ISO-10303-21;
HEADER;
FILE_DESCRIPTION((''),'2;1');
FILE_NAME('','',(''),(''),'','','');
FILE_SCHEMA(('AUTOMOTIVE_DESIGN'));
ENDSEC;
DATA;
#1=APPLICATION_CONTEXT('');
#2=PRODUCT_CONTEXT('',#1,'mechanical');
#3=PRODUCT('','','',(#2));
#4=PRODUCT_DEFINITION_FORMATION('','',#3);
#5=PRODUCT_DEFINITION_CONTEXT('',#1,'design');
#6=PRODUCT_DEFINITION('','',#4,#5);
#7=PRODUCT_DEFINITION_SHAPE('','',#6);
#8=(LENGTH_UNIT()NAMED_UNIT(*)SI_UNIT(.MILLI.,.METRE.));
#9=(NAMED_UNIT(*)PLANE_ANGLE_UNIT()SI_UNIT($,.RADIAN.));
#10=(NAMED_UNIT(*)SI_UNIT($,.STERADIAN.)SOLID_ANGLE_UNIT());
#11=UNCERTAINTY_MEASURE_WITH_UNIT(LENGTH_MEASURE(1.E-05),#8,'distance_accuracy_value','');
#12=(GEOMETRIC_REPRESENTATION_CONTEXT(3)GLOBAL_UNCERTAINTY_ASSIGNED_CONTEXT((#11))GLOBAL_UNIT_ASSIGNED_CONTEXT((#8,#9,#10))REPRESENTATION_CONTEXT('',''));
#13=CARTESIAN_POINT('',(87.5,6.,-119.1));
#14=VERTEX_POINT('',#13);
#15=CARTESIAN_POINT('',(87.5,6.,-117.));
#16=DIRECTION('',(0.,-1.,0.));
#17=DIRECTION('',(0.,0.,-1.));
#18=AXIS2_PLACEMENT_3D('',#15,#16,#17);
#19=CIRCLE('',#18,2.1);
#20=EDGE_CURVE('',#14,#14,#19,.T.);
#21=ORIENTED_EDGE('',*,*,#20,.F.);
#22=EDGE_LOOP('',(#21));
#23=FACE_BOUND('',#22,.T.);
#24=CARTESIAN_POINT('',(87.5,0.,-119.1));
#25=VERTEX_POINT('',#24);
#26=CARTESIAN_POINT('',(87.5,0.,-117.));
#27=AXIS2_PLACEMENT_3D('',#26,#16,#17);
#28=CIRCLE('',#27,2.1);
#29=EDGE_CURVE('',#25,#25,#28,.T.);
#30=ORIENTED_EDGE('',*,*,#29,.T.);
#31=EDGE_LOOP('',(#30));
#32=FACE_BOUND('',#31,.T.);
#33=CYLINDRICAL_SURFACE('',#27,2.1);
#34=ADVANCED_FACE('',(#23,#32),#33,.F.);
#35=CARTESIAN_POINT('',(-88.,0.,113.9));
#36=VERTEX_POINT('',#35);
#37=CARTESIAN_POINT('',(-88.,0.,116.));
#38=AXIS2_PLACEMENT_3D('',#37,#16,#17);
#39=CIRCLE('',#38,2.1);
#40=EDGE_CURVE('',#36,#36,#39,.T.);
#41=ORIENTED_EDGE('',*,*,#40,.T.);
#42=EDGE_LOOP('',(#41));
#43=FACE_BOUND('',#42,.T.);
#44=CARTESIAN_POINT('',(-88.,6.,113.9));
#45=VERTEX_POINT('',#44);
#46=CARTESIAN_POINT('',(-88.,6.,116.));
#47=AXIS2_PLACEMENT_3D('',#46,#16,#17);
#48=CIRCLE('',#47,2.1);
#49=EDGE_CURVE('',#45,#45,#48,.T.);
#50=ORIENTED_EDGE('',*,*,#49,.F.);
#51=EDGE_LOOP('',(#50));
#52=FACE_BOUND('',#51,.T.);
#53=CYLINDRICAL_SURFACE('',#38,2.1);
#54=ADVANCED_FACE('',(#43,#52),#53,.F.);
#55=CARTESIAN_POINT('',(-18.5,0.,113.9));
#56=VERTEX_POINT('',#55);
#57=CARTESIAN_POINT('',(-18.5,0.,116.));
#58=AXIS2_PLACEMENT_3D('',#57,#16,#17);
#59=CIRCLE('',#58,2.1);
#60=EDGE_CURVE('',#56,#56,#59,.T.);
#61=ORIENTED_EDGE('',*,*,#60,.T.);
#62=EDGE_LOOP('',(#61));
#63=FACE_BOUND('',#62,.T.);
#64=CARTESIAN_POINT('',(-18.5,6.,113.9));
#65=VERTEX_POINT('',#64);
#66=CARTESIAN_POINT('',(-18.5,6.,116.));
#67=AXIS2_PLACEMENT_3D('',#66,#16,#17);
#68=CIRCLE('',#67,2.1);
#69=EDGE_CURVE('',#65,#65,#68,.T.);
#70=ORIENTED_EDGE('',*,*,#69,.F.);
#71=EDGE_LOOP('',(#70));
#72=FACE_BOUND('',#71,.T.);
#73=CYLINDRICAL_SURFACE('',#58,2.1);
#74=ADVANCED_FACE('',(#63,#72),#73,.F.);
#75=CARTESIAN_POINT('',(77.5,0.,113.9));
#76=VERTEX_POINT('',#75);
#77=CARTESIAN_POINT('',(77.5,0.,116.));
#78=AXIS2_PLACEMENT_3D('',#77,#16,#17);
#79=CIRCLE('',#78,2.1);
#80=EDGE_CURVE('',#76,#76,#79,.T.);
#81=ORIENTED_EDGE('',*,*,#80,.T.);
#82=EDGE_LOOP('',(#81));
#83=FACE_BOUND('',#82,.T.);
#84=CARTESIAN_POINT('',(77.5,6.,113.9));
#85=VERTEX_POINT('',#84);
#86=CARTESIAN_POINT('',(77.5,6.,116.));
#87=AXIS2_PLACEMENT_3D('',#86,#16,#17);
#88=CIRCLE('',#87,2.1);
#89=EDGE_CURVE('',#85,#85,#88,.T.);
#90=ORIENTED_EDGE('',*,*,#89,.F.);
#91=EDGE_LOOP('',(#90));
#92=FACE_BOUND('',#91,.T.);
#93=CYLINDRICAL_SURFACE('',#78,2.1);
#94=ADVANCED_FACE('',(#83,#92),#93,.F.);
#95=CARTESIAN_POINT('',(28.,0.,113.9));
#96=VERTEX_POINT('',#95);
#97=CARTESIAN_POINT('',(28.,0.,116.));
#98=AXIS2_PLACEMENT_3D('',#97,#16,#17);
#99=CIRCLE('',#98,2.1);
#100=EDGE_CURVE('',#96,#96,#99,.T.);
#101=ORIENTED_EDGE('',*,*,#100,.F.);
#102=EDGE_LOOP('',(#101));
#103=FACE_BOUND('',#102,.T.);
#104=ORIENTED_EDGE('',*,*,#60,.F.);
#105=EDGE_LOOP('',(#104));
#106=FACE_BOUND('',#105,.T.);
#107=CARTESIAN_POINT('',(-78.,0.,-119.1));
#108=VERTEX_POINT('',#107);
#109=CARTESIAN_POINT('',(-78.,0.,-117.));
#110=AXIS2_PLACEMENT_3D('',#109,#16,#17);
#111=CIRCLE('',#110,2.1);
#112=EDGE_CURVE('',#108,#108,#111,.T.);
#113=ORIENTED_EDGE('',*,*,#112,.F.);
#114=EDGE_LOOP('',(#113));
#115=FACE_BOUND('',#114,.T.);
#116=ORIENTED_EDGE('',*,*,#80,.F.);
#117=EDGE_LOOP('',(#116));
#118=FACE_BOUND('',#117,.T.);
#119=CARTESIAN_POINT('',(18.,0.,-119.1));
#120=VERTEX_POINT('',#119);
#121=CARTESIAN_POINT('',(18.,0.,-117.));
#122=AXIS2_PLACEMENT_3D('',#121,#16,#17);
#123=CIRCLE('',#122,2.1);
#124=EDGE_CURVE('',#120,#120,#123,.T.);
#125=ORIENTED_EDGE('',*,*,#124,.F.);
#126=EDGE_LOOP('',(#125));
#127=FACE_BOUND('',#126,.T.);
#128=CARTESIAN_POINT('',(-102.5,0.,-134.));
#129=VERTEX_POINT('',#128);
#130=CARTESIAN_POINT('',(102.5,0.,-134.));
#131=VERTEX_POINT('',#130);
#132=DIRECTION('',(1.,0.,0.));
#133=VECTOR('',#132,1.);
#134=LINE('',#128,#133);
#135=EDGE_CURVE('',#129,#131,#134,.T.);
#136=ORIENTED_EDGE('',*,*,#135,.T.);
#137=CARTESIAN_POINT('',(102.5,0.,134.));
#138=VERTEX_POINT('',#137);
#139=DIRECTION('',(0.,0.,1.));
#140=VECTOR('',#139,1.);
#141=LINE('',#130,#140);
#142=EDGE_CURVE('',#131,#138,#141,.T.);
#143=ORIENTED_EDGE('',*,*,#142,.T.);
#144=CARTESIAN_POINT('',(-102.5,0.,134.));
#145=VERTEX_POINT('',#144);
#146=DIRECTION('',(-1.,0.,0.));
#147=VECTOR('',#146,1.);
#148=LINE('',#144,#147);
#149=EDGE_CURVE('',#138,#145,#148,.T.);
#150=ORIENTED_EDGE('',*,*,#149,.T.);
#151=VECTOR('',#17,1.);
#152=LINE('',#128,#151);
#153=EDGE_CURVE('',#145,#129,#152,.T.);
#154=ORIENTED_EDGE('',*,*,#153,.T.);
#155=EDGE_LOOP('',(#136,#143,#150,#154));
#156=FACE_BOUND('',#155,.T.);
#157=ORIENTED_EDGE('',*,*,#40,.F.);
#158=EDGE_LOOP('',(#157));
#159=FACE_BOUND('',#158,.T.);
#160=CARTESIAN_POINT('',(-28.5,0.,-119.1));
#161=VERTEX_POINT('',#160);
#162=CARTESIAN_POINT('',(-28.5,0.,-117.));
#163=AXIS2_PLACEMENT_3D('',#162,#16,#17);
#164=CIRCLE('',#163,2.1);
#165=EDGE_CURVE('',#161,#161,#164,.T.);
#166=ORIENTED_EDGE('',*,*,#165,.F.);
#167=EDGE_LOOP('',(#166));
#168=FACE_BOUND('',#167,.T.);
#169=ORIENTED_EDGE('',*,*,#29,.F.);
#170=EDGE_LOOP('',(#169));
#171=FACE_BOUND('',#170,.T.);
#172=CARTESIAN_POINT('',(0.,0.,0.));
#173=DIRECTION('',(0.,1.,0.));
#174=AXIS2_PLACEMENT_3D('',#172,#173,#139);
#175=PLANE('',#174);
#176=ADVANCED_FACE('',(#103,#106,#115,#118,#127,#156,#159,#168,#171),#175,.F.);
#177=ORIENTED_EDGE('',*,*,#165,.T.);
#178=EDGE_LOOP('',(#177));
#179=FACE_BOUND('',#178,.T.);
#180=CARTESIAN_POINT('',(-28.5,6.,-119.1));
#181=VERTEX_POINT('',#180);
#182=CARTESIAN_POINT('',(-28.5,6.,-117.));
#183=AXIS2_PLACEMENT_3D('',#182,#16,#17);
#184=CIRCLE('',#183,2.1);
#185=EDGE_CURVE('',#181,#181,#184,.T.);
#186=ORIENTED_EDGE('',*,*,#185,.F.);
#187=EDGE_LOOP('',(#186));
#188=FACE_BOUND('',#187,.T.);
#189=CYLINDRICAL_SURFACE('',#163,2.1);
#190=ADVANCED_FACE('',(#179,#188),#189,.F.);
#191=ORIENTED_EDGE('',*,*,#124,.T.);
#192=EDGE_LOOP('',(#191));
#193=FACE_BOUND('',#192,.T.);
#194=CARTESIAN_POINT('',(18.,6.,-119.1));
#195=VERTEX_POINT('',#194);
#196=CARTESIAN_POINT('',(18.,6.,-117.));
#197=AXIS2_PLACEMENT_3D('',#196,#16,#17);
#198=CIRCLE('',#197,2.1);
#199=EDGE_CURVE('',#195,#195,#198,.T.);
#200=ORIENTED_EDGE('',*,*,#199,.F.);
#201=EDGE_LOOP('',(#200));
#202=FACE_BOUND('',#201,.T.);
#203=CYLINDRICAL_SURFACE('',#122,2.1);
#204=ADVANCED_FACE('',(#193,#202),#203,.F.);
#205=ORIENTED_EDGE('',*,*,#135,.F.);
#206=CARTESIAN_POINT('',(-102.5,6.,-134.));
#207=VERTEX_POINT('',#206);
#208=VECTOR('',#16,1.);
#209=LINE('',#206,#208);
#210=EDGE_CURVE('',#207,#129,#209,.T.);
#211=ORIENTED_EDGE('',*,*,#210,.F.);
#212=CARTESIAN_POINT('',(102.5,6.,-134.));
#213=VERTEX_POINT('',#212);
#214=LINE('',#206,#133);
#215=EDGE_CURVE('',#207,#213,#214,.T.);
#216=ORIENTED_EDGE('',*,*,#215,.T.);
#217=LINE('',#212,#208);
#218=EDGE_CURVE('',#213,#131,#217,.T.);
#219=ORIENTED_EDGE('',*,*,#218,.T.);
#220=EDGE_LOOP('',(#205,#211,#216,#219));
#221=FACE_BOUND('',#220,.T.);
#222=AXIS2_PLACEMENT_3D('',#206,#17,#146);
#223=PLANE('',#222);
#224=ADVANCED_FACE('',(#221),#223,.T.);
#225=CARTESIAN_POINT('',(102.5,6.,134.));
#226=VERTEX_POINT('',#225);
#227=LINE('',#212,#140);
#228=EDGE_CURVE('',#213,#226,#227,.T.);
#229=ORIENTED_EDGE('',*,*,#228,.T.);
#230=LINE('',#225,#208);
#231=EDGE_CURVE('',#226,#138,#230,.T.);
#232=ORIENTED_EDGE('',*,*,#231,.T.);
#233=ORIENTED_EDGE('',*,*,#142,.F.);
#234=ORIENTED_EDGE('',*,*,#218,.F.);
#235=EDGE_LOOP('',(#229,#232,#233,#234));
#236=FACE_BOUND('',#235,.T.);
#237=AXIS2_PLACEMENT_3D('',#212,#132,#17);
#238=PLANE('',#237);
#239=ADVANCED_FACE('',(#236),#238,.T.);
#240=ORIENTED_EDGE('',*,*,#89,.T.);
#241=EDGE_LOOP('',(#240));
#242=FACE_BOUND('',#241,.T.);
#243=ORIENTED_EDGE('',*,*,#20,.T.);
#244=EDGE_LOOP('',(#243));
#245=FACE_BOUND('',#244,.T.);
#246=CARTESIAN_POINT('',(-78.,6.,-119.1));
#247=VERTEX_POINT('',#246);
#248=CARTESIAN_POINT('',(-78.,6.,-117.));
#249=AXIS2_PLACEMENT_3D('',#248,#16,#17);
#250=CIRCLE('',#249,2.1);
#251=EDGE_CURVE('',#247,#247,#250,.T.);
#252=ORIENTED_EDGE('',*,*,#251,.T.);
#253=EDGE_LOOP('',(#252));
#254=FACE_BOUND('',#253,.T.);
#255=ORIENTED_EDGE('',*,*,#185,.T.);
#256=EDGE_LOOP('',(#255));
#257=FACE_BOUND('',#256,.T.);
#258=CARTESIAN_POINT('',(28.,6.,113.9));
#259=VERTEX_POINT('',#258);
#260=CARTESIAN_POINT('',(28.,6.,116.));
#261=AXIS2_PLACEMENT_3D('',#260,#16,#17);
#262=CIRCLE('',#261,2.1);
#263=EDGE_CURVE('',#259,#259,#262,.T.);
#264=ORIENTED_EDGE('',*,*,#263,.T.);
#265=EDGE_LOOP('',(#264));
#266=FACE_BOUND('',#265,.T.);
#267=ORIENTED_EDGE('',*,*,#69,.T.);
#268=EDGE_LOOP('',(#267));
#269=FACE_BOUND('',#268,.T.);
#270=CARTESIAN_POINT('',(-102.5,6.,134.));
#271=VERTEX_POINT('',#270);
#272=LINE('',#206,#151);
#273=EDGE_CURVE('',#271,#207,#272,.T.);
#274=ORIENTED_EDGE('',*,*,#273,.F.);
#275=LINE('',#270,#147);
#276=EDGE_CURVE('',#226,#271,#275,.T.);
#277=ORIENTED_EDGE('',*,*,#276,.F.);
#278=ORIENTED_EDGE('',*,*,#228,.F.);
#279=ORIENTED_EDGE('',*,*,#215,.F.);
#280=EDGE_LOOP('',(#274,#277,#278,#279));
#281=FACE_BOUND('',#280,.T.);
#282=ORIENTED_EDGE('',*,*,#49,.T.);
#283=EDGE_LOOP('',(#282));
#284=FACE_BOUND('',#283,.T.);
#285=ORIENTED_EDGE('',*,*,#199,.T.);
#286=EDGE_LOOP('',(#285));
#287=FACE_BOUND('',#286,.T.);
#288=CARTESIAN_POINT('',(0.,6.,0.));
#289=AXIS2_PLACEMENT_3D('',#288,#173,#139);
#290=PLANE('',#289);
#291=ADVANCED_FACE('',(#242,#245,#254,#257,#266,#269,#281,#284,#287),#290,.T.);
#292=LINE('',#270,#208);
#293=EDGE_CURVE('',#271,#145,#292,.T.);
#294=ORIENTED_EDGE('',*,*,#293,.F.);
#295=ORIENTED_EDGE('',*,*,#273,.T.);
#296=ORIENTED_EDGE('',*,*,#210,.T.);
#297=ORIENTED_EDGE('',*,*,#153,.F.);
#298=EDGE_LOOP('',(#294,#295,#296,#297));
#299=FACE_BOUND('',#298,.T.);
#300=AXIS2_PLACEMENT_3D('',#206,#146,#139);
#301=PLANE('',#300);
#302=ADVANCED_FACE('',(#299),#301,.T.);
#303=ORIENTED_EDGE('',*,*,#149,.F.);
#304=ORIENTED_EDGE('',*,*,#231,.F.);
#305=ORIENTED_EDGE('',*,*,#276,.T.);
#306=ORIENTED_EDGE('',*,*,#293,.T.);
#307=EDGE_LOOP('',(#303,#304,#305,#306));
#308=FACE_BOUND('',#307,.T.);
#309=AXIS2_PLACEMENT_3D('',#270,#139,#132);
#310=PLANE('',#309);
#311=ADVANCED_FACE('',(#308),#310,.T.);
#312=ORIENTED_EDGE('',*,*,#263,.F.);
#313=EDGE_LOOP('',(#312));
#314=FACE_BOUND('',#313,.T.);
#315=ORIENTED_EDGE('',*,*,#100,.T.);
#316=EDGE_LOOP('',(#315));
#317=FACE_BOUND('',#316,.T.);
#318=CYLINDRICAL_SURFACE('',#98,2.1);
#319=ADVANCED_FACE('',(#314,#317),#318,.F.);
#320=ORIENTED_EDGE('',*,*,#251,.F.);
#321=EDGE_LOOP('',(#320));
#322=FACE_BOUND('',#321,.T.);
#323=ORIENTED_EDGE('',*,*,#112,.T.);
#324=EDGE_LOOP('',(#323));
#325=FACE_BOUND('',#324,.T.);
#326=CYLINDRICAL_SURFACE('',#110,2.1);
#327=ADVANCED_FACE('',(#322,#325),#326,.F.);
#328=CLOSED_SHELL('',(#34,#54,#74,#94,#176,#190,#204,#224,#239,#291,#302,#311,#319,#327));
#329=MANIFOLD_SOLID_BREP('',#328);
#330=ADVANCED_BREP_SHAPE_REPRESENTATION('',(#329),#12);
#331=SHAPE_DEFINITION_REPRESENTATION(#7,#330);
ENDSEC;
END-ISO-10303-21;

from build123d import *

# Parameters (mm, degrees)
ESBO_O1_W                  = 205
ESBO_O1_H                  = 268
RESSALTO_EXTRUS_O1_DEPTH   = 6
FURO_DE_DI_METRO_4_0_4_1_D = 4.2


with BuildPart() as part:
    # Esboço1 → Ressalto-extrusão1 (new body)
    with BuildSketch(Plane.XZ):
        Rectangle(ESBO_O1_W, ESBO_O1_H)
    extrude(amount=-RESSALTO_EXTRUS_O1_DEPTH)

    # Furo de diâmetro Ø4.0 (4)1 (through all)
    with Locations(Plane(origin=(0, 0, 0), x_dir=(-1, 0, 0), z_dir=(0, -1, 0))):
        with Locations((-87.5, 117), (-18, 117), (-77.5, -116), (-28, -116), (18.5, -116), (88, -116), (28.5, 117), (78, 117)):
            Hole(FURO_DE_DI_METRO_4_0_4_1_D / 2)


solid = part.part
